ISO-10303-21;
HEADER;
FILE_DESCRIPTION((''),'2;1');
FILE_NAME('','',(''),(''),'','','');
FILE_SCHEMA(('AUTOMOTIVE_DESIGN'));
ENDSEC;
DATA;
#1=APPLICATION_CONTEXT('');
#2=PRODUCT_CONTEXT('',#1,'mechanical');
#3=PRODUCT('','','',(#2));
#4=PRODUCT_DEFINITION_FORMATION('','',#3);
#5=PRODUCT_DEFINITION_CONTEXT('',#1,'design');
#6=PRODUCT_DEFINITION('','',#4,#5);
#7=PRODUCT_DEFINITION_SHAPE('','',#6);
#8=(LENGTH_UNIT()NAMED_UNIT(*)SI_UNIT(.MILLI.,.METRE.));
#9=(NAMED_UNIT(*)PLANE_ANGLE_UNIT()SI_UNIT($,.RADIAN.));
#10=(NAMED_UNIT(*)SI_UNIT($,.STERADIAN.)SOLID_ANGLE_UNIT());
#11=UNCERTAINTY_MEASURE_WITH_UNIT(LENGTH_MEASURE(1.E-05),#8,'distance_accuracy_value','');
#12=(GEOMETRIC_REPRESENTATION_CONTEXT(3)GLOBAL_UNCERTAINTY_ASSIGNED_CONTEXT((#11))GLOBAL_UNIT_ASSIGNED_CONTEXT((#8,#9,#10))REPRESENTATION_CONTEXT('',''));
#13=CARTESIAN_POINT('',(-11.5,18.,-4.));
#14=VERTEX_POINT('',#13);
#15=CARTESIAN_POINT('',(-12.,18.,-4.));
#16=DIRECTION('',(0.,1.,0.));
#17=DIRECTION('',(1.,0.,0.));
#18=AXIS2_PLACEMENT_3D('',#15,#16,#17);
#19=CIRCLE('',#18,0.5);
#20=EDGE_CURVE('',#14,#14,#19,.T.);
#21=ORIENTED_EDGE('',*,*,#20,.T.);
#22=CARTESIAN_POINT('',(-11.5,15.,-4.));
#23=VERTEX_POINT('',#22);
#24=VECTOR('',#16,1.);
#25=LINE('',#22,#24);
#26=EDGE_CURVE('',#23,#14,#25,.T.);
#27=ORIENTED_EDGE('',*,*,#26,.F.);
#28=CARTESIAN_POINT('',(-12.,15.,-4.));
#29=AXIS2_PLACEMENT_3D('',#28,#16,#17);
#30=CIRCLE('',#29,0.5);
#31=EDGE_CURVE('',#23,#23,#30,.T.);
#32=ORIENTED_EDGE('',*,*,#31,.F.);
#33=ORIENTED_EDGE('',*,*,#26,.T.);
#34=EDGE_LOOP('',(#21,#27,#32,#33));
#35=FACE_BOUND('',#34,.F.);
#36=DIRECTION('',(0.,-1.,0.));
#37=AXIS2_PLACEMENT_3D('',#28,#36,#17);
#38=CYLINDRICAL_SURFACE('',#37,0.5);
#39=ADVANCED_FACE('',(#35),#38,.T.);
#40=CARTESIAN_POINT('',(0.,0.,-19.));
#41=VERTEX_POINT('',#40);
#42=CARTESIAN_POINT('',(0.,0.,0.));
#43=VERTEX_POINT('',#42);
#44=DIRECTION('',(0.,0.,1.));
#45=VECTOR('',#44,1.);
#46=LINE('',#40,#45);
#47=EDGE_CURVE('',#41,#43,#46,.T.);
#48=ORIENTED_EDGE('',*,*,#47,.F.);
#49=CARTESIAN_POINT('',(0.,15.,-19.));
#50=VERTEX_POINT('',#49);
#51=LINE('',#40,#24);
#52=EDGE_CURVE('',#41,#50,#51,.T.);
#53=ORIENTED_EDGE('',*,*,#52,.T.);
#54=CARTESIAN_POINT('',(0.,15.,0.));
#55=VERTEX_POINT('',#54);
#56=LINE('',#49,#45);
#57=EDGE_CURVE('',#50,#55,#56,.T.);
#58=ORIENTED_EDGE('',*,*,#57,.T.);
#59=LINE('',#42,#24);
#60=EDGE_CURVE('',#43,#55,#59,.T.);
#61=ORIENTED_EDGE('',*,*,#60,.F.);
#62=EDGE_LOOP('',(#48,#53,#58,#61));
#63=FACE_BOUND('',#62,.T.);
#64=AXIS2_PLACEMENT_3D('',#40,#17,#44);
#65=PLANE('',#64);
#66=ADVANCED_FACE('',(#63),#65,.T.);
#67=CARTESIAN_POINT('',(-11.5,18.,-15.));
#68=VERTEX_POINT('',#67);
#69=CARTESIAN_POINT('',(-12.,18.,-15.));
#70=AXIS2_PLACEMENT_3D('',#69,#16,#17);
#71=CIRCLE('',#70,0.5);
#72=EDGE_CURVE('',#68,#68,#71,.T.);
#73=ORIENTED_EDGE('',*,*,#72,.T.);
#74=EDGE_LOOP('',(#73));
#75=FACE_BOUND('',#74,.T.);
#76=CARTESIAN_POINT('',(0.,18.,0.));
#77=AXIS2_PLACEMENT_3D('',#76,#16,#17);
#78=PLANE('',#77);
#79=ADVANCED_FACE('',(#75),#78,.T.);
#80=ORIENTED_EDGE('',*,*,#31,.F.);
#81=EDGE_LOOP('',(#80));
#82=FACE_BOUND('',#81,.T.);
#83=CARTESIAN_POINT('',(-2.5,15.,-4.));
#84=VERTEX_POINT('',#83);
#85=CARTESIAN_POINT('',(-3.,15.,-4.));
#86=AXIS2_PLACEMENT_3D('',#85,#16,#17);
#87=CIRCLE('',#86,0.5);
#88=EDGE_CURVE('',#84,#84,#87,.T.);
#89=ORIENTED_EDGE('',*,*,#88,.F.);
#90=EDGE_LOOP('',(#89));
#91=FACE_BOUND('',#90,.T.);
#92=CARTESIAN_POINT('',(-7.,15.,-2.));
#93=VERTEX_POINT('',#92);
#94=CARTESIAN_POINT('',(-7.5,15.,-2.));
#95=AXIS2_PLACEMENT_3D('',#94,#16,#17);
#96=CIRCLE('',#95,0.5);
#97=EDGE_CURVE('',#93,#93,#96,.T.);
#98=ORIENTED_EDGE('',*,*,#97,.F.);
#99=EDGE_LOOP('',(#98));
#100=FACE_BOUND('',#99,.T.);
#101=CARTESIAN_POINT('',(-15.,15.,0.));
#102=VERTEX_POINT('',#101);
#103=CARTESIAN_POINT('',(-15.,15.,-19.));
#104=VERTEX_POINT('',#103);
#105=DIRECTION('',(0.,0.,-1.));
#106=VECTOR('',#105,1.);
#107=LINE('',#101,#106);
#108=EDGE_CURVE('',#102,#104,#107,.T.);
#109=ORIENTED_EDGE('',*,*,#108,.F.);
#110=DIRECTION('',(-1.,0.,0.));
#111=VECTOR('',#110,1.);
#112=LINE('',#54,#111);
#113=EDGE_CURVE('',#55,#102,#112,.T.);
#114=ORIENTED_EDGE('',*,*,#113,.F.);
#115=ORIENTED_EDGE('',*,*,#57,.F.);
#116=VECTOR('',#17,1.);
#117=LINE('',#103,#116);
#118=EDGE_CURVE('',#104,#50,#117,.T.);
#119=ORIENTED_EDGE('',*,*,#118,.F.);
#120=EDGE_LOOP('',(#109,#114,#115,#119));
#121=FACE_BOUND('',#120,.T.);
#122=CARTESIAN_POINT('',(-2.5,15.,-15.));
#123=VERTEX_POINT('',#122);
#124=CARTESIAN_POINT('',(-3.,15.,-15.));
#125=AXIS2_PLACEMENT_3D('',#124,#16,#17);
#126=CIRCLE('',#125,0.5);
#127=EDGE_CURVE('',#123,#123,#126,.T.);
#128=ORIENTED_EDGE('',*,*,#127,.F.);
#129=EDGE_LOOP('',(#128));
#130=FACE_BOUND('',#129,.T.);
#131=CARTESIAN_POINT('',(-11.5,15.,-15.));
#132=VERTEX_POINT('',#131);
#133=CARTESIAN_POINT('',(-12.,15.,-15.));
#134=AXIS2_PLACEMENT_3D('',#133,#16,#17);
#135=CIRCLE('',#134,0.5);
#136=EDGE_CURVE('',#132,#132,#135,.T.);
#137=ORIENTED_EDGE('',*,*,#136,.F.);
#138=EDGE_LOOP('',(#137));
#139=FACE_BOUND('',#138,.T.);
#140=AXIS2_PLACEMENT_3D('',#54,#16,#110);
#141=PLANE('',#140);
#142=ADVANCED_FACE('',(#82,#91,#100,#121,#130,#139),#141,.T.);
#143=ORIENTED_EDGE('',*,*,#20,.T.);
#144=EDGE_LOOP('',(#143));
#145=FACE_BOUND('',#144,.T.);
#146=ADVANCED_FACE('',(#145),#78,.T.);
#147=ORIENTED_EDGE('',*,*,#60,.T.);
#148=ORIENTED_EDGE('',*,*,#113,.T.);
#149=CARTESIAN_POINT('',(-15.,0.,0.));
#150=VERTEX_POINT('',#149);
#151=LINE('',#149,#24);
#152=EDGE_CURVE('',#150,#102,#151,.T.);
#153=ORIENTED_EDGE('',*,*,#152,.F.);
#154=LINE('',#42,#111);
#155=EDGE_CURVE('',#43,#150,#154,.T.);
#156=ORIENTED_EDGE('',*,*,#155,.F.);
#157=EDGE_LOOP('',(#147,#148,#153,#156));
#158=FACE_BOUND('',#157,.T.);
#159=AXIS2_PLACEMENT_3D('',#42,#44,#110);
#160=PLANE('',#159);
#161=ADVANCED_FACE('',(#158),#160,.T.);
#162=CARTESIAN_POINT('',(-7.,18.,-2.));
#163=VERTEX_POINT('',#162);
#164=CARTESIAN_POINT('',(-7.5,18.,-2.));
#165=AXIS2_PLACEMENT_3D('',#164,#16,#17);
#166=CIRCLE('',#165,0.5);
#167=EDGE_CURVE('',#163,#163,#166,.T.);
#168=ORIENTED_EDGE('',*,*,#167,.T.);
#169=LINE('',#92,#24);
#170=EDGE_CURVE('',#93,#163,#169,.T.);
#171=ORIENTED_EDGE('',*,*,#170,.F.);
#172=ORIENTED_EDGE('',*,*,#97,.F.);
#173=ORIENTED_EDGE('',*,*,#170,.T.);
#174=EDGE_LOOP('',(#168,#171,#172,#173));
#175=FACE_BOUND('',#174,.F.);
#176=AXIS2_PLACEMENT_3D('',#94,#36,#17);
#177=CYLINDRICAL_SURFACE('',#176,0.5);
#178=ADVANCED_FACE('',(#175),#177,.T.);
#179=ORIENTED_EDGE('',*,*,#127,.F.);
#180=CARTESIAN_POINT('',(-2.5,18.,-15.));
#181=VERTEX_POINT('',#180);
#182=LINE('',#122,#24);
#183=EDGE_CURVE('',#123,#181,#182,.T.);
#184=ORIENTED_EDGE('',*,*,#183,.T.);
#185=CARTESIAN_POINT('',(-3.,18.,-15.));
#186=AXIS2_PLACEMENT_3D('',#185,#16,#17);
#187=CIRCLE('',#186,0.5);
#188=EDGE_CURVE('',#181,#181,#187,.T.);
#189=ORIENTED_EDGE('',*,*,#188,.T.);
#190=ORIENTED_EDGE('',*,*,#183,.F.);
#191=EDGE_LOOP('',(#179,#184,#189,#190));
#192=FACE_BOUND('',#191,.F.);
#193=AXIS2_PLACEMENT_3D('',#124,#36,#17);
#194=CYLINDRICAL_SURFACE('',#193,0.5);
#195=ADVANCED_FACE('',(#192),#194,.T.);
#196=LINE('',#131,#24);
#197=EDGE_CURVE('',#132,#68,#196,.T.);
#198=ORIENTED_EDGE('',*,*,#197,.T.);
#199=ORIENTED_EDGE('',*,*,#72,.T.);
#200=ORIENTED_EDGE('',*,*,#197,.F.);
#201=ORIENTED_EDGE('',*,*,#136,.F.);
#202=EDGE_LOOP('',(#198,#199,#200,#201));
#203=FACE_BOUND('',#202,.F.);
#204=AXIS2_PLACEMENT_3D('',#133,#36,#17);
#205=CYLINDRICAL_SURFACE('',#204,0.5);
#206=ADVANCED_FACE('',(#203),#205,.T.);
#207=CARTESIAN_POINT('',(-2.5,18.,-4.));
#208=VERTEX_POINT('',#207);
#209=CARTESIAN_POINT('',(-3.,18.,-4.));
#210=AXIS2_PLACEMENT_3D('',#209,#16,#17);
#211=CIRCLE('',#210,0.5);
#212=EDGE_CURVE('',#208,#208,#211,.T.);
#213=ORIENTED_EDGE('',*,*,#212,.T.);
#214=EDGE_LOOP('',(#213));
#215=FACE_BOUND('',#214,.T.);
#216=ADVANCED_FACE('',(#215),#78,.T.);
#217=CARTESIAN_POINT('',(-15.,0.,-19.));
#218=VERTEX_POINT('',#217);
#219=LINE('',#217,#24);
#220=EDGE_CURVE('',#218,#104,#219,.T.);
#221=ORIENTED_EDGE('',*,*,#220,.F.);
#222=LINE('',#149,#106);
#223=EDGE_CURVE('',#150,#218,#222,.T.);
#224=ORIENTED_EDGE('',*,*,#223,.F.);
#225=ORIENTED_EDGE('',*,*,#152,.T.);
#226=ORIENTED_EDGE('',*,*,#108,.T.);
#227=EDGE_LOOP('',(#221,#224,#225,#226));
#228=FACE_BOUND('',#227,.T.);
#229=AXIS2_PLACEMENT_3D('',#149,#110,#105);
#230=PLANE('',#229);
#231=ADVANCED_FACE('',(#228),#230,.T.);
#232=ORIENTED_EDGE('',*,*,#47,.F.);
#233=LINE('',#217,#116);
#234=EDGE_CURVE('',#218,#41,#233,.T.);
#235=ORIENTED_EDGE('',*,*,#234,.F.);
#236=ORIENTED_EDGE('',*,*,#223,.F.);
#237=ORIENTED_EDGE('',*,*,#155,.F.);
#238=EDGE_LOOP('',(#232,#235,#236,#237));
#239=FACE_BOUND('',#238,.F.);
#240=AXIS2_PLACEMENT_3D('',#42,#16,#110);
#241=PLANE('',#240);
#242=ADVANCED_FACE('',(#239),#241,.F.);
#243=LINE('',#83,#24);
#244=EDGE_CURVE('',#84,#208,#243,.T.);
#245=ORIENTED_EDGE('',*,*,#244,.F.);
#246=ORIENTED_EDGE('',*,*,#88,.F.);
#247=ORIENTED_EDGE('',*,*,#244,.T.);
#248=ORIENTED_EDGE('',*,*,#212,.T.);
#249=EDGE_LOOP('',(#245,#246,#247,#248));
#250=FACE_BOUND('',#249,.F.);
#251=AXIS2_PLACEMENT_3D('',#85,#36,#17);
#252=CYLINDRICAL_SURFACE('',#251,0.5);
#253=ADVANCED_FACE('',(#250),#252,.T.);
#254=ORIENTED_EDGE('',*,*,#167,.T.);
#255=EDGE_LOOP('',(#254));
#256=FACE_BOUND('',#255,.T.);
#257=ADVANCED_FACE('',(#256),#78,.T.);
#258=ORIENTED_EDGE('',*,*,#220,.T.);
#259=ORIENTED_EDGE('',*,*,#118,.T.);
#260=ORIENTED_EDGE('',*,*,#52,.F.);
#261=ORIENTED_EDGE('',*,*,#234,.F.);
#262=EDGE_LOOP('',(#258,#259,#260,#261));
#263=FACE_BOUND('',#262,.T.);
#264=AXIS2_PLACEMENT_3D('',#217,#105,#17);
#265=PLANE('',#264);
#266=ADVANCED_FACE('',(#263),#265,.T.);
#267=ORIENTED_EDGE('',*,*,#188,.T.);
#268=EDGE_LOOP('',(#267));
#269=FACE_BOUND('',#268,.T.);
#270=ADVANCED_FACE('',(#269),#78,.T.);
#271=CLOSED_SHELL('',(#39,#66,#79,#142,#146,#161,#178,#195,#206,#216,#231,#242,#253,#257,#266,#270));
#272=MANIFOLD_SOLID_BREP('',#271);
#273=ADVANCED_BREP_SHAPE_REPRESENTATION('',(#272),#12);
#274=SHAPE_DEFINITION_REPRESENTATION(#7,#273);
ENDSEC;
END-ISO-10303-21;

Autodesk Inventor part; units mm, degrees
ref_plane "YZ Plane" through (0, 0, 0) normal (1, 0, 0) x (0, 1, 0)
ref_plane "XZ Plane" through (0, 0, 0) normal (0, 1, 0) x (-1, 0, 0)
ref_plane "XY Plane" through (0, 0, 0) normal (0, 0, 1) x (1, 0, 0)
sketch "Sketch1" plane through (0, 0, 0) normal (0, 1, 0) x (-1, 0, 0)
  line L0 (0, 0) -> (15, 0)
  line L1 (15, 0) -> (15, -19)
  line L2 (15, -19) -> (0, -19)
  line L3 (0, -19) -> (0, 0)
  dimension "d0" = 19
  dimension "d1" = 15
extrude "Extrusion1" add sketch "Sketch1" along normal blind 15
sketch "Sketch2" plane through (0, 15, 0) normal (0, 1, 0) x (1, 0, 0)
  circle A0 centre (-3, 4) radius 0.5
  line L0 (0, 0) -> (0, 19) projected
  line L1 (-15, 0) -> (0, 0) projected
  circle A1 centre (-3, 15) radius 0.5
  line L2 (0, 19) -> (-15, 19) projected
  circle A2 centre (-7.5, 2) radius 0.5
  line L3 (-7.5, 0) -> (-7.5, 19) construction
  circle A3 centre (-12, 4) radius 0.5
  circle A4 centre (-12, 15) radius 0.5
  dimension "d4" = 1
  dimension "d5" = 3
  dimension "d6" = 4
  dimension "d7" = 1
  dimension "d8" = 3
  dimension "d9" = 4
  dimension "d10" = 1
  dimension "d11" = 2
extrude "Extrusion2" add sketch "Sketch2" along normal blind 3
sketch "Sketch3" plane through (-12, 18, -4) normal (0, 1, 0) x (1, 0, 0)
  circle A0 centre (4.5, -2) radius 0.5 projected
  circle A1 centre (9, 0) radius 0.5 projected
  circle A2 centre (9, 11) radius 0.5 projected
  circle A3 centre (0, 0) radius 0.5 projected
  circle A4 centre (0, 11) radius 0.5 projected
  point P0 (12, -4)
properties part number "miniRelay"
